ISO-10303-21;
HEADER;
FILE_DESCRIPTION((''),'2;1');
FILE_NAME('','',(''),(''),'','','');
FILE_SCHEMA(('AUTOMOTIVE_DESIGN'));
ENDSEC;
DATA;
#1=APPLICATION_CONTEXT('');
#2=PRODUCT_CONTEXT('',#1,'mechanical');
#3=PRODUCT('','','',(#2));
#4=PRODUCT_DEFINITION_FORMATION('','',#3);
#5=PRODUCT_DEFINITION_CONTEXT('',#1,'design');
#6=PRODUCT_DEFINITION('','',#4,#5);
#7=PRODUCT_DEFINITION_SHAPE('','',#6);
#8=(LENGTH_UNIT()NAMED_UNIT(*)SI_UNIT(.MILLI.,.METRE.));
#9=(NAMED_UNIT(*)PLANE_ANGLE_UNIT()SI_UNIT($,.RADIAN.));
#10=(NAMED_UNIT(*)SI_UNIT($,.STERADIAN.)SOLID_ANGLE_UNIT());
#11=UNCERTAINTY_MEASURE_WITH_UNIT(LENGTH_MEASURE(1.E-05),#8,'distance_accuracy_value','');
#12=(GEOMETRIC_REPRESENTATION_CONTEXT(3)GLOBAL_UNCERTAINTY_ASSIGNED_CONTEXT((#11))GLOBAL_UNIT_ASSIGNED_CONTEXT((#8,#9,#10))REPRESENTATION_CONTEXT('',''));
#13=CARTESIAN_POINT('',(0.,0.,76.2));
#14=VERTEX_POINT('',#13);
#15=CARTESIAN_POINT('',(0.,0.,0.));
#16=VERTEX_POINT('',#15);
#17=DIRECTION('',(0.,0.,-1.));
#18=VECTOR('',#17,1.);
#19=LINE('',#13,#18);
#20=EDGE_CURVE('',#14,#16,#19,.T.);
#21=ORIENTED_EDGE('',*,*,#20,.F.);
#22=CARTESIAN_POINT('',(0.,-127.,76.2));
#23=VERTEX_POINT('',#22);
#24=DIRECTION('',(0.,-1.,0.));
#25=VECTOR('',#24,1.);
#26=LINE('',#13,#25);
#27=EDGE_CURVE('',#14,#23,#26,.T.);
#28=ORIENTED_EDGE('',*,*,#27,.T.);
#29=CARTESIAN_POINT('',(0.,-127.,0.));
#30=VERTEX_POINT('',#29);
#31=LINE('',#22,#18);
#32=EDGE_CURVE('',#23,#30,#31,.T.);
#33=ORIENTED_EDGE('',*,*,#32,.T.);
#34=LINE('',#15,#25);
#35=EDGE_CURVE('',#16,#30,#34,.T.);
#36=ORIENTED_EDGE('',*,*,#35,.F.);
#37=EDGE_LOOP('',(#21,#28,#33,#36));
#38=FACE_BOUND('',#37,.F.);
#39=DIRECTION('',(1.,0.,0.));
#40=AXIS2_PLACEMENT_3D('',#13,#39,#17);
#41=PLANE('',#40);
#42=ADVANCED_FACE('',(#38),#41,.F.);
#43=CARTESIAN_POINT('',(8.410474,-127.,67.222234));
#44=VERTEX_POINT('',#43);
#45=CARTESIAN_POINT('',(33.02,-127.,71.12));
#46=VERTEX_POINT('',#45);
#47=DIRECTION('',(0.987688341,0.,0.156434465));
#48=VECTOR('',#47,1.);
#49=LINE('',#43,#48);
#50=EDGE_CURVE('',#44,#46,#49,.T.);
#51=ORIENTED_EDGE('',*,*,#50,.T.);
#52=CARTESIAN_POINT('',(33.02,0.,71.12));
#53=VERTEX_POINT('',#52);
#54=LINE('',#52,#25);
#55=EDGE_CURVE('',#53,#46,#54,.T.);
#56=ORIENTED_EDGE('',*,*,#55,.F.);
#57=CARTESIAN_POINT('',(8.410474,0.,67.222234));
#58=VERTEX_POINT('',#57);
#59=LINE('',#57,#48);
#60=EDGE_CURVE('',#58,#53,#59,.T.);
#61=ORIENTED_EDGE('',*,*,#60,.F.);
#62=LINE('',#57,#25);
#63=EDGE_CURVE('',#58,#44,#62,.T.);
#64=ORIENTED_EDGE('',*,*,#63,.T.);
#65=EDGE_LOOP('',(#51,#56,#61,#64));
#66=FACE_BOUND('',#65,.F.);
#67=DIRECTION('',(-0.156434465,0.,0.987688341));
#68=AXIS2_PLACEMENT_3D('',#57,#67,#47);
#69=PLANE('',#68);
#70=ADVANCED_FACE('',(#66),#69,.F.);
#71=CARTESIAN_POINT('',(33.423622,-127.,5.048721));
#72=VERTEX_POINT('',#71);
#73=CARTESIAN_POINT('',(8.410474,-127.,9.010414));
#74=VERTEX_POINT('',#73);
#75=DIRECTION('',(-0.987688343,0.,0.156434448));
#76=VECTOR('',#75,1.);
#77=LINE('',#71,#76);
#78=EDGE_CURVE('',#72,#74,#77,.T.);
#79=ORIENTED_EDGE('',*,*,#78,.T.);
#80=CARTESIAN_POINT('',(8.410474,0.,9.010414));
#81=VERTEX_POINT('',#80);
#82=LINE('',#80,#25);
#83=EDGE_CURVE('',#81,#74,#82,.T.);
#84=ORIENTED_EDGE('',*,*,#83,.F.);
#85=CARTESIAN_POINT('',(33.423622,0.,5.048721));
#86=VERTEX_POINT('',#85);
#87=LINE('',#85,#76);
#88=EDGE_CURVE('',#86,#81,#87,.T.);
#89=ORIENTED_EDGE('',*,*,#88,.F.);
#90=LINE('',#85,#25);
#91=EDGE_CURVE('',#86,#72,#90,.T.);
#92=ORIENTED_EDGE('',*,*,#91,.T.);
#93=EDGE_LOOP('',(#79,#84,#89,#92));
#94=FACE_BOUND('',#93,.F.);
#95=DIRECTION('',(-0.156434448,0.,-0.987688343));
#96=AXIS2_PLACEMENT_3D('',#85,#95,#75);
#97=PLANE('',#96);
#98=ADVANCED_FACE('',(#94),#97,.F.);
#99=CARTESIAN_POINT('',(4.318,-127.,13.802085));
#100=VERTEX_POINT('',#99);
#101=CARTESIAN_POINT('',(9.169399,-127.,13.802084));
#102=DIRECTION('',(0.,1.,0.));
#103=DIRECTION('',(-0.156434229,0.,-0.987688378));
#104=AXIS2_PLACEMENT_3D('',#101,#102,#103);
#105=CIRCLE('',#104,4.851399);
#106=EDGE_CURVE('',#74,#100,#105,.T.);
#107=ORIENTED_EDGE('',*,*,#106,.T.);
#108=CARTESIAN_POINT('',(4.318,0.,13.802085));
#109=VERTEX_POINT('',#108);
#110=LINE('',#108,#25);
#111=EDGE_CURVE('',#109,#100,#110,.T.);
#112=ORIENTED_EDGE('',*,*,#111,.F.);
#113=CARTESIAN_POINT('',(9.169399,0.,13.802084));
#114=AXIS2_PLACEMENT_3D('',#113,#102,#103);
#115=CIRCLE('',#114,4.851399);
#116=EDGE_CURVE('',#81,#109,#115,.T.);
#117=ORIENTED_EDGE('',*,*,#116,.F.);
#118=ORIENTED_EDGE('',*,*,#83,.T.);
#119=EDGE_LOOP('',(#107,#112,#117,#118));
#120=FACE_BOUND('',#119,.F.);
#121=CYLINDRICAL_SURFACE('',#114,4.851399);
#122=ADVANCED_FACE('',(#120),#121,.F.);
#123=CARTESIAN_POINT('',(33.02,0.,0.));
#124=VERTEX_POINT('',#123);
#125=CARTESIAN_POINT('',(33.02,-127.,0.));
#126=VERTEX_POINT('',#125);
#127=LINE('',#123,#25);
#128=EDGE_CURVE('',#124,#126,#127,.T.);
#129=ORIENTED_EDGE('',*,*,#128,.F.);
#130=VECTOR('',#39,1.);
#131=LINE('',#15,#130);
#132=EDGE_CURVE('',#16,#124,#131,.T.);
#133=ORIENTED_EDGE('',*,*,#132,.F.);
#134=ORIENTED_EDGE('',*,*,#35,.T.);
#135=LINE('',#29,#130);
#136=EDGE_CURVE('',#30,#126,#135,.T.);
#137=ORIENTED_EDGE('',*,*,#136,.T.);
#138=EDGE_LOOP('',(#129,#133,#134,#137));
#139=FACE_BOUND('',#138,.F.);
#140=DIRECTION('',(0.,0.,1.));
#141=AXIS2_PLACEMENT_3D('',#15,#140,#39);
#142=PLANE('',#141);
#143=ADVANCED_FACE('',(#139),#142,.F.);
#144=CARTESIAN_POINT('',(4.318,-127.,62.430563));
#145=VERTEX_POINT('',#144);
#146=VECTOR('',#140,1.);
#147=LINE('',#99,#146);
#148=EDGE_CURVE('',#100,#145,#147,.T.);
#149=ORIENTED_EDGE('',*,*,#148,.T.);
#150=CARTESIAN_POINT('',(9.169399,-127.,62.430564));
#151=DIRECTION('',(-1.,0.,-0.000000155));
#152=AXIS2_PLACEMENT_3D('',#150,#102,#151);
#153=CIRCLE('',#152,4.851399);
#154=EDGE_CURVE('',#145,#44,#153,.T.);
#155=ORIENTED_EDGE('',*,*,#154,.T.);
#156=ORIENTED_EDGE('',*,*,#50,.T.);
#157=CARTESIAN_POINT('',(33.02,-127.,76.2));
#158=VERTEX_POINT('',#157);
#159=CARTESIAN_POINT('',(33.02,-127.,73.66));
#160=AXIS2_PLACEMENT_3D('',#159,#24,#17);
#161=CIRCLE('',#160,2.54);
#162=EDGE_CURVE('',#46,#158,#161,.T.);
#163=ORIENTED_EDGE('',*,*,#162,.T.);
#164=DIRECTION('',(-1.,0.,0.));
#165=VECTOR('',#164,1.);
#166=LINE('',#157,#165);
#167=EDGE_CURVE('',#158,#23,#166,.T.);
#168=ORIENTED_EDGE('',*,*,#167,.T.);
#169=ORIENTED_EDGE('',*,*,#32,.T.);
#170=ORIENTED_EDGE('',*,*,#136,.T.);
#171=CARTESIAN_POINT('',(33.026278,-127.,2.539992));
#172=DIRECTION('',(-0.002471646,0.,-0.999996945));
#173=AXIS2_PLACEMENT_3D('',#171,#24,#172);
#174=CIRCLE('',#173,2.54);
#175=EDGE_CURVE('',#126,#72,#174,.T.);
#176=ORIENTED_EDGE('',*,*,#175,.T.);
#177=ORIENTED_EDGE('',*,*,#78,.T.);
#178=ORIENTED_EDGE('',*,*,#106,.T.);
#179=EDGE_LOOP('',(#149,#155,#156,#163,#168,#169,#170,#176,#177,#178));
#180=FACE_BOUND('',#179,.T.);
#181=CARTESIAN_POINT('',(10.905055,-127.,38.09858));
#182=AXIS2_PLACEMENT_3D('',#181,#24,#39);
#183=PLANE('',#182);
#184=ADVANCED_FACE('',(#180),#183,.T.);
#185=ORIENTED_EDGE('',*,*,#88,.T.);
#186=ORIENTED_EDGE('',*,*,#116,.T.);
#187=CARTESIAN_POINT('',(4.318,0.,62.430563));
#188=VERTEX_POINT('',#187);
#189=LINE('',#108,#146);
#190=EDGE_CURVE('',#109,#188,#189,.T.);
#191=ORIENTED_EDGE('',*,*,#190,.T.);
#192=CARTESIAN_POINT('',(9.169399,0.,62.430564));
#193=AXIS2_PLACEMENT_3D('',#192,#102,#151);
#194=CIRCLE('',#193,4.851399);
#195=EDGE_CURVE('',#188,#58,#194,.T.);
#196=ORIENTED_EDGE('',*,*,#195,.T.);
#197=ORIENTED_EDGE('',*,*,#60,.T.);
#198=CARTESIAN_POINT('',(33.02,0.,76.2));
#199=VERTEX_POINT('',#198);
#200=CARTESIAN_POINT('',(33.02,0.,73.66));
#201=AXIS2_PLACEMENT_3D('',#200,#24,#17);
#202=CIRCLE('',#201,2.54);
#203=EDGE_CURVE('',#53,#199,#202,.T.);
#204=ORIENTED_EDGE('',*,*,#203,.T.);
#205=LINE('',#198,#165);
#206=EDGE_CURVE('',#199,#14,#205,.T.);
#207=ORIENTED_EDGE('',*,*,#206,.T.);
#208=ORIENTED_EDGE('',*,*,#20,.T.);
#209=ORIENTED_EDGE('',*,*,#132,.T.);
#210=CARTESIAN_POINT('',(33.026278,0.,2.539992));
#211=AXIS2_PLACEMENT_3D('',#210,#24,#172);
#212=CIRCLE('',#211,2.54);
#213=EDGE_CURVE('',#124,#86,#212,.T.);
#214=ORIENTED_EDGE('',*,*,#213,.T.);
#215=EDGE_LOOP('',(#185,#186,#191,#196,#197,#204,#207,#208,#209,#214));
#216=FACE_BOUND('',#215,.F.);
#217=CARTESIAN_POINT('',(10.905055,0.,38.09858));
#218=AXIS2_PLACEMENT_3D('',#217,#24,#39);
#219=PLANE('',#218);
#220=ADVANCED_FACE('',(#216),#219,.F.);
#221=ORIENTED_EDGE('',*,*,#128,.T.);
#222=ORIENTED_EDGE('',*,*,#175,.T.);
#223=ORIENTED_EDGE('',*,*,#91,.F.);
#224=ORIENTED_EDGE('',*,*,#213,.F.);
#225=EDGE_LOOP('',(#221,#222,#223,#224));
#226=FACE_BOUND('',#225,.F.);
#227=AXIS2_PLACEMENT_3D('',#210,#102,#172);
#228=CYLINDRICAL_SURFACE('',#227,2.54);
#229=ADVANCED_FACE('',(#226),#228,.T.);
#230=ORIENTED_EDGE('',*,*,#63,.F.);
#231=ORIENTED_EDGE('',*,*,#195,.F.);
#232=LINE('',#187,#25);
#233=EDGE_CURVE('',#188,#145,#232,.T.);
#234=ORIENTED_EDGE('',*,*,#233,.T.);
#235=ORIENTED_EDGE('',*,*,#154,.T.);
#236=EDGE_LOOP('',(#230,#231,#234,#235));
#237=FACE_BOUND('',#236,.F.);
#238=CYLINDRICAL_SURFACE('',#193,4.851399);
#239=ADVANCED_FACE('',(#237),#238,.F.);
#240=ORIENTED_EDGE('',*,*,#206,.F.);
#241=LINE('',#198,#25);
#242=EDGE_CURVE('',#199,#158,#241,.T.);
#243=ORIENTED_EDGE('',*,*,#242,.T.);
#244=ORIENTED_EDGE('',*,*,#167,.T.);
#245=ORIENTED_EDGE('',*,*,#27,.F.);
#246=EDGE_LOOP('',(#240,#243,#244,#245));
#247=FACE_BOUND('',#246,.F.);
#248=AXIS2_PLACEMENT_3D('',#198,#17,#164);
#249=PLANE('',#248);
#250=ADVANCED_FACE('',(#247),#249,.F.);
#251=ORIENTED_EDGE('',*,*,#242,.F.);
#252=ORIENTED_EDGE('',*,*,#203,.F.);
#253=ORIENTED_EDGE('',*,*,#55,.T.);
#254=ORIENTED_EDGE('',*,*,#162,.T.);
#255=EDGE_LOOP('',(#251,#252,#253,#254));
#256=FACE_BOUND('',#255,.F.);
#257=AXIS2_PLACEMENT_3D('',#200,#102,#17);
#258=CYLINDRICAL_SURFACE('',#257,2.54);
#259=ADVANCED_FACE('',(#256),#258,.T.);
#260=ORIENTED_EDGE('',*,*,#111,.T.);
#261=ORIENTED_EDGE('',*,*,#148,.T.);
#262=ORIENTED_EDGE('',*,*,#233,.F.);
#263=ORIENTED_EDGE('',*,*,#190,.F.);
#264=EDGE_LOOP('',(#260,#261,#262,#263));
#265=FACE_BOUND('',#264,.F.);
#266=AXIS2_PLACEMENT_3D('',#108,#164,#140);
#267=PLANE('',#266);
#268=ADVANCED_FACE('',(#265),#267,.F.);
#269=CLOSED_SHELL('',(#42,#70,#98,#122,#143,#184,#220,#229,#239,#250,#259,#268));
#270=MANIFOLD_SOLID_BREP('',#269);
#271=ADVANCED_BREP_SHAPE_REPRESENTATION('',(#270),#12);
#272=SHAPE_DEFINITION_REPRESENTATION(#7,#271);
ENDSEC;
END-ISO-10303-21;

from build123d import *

# Parameters (mm, degrees)
F1_DEPTH = 127


with BuildPart() as f1:
    # F0 (on Front) → F1 (new body)
    with BuildSketch(Plane.XZ):
        with BuildLine():
            Line((33.02, 76.2), (0, 76.2))
            Line((0, 76.2), (0, 0))
            Line((0, 0), (33.02, 0))
            ThreePointArc((33.02, 0), (35.5582, 2.337577), (33.423622, 5.048721))
            Line((33.423622, 5.048721), (8.410474, 9.010414))
            ThreePointArc((8.410474, 9.010414), (5.480366, 10.651353), (4.318, 13.802085))
            Line((4.318, 13.802085), (4.318, 62.430563))
            ThreePointArc((4.318, 62.430563), (5.480366, 65.581295), (8.410474, 67.222234))
            Line((8.410474, 67.222234), (33.02, 71.12))
            ThreePointArc((33.02, 71.12), (35.56, 73.66), (33.02, 76.2))
        make_face()
    extrude(amount=F1_DEPTH)


solid = f1.part
